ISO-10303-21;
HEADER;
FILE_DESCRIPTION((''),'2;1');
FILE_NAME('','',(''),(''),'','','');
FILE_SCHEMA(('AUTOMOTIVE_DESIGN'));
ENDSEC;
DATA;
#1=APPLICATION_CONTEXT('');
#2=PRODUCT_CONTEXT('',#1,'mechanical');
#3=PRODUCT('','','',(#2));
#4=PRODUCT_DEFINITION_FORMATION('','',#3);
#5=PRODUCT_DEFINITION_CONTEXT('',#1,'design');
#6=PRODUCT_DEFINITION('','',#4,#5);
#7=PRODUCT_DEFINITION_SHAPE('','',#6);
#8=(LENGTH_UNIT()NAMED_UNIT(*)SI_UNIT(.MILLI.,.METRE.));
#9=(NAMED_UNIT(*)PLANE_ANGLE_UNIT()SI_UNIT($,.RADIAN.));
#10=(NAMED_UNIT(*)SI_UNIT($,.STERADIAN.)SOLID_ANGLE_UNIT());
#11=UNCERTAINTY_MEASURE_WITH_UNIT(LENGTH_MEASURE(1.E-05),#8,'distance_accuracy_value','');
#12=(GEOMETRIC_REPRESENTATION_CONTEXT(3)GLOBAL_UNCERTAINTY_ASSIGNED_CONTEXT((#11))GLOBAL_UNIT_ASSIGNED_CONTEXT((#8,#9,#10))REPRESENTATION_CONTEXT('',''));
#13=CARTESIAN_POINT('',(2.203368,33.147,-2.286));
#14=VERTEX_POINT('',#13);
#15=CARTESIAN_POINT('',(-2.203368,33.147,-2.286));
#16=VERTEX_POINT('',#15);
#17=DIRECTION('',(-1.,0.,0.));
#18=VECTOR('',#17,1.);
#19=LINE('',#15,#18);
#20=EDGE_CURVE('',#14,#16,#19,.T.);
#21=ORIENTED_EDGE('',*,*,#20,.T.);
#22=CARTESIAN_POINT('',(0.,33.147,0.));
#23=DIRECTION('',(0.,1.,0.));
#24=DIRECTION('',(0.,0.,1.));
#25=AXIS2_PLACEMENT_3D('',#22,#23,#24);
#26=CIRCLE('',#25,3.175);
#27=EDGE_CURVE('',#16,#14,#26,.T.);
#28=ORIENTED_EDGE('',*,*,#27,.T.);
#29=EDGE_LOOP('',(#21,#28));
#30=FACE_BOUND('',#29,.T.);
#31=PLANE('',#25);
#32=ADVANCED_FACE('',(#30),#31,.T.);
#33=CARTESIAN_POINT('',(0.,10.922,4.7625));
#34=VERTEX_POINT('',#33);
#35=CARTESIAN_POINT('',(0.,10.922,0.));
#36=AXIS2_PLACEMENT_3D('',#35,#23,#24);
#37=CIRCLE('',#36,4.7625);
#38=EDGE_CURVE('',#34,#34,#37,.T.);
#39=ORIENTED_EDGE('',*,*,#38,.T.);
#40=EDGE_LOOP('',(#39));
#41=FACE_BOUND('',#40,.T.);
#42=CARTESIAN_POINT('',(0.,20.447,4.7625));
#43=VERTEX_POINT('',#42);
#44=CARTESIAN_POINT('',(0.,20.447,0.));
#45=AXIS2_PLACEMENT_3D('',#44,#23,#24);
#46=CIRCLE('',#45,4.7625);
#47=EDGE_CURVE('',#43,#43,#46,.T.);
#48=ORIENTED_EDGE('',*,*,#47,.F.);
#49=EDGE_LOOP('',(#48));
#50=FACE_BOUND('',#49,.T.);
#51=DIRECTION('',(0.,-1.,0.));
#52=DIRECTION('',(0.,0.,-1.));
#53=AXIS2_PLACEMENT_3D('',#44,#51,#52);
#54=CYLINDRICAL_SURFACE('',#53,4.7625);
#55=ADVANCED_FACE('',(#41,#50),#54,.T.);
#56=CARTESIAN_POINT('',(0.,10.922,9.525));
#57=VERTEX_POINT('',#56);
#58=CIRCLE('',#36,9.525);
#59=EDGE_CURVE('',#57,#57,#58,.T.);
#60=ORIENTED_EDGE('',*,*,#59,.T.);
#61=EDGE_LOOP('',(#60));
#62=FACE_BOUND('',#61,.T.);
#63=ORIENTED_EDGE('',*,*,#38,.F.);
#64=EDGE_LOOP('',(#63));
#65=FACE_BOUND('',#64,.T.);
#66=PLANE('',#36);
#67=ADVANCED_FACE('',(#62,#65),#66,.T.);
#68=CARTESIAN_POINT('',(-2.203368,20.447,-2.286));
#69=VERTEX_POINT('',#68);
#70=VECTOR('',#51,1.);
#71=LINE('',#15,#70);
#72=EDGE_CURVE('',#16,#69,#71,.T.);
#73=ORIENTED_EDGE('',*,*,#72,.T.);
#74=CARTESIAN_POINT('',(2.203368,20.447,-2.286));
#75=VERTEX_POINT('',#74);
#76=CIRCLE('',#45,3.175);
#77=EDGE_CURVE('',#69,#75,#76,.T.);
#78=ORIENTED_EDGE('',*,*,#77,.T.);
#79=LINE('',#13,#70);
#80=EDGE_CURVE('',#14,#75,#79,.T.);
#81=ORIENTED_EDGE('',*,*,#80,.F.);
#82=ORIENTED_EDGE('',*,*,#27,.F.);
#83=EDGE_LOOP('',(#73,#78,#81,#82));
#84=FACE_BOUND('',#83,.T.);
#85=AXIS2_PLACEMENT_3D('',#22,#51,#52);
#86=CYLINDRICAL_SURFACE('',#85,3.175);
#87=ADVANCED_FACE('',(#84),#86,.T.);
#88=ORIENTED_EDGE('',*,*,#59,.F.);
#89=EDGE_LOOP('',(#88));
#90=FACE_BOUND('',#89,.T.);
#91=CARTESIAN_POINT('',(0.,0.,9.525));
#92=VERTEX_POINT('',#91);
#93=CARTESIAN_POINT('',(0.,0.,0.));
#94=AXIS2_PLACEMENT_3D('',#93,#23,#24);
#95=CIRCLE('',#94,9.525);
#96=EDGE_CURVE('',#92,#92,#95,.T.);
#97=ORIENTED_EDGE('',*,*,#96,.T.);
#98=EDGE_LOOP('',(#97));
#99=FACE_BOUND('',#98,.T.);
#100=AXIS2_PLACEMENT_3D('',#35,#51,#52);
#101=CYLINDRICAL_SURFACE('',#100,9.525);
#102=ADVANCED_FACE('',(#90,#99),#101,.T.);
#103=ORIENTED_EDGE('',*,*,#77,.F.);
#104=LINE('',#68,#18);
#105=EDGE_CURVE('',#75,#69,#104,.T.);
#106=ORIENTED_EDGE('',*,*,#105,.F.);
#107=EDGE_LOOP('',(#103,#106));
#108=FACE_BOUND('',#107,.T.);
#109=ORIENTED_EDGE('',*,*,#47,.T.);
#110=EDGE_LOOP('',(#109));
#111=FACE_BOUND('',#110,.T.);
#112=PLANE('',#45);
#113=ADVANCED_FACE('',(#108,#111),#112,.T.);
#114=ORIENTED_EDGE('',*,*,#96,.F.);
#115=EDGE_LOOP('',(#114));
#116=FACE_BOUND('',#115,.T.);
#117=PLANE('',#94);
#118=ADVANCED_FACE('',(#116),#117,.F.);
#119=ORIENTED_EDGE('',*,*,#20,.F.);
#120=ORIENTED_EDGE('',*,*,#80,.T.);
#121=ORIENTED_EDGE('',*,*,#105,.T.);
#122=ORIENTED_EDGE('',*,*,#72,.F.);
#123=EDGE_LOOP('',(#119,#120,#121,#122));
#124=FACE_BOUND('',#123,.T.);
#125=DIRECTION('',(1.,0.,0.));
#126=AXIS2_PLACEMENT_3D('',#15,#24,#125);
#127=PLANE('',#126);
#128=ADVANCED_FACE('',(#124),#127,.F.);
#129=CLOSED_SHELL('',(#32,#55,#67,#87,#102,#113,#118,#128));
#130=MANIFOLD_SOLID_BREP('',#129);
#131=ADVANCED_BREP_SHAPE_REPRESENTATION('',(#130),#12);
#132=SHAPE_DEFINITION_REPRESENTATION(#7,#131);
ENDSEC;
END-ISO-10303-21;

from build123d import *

# Parameters (mm, degrees)
SKETCH1_R           = 9.525
BOSS_EXTRUDE1_DEPTH = 10.922
SKETCH2_R           = 4.7625
BOSS_EXTRUDE2_DEPTH = 9.525
BOSS_EXTRUDE3_DEPTH = 12.7


with BuildPart() as part:
    # Sketch1 → Boss-Extrude1 (new body)
    with BuildSketch(Plane(origin=(0, 0, 0), x_dir=(1, 0, 0), z_dir=(0, 1, 0))):
        Circle(SKETCH1_R)
    extrude(amount=BOSS_EXTRUDE1_DEPTH)

    # Sketch2 → Boss-Extrude2 (add)
    with BuildSketch(Plane(origin=(0, 10.922, 0), x_dir=(1, 0, 0), z_dir=(0, 1, 0))):
        Circle(SKETCH2_R)
    extrude(amount=BOSS_EXTRUDE2_DEPTH)

    # Sketch3 → Boss-Extrude3 (add)
    with BuildSketch(Plane(origin=(0, 20.447, 0), x_dir=(1, 0, 0), z_dir=(0, 1, 0))):
        with BuildLine():
            Line((-2.20336765, 2.286), (2.20336765, 2.286))
            ThreePointArc((2.20336765, 2.286), (0, -3.175), (-2.20336765, 2.286))
        make_face()
    extrude(amount=BOSS_EXTRUDE3_DEPTH)


solid = part.part
